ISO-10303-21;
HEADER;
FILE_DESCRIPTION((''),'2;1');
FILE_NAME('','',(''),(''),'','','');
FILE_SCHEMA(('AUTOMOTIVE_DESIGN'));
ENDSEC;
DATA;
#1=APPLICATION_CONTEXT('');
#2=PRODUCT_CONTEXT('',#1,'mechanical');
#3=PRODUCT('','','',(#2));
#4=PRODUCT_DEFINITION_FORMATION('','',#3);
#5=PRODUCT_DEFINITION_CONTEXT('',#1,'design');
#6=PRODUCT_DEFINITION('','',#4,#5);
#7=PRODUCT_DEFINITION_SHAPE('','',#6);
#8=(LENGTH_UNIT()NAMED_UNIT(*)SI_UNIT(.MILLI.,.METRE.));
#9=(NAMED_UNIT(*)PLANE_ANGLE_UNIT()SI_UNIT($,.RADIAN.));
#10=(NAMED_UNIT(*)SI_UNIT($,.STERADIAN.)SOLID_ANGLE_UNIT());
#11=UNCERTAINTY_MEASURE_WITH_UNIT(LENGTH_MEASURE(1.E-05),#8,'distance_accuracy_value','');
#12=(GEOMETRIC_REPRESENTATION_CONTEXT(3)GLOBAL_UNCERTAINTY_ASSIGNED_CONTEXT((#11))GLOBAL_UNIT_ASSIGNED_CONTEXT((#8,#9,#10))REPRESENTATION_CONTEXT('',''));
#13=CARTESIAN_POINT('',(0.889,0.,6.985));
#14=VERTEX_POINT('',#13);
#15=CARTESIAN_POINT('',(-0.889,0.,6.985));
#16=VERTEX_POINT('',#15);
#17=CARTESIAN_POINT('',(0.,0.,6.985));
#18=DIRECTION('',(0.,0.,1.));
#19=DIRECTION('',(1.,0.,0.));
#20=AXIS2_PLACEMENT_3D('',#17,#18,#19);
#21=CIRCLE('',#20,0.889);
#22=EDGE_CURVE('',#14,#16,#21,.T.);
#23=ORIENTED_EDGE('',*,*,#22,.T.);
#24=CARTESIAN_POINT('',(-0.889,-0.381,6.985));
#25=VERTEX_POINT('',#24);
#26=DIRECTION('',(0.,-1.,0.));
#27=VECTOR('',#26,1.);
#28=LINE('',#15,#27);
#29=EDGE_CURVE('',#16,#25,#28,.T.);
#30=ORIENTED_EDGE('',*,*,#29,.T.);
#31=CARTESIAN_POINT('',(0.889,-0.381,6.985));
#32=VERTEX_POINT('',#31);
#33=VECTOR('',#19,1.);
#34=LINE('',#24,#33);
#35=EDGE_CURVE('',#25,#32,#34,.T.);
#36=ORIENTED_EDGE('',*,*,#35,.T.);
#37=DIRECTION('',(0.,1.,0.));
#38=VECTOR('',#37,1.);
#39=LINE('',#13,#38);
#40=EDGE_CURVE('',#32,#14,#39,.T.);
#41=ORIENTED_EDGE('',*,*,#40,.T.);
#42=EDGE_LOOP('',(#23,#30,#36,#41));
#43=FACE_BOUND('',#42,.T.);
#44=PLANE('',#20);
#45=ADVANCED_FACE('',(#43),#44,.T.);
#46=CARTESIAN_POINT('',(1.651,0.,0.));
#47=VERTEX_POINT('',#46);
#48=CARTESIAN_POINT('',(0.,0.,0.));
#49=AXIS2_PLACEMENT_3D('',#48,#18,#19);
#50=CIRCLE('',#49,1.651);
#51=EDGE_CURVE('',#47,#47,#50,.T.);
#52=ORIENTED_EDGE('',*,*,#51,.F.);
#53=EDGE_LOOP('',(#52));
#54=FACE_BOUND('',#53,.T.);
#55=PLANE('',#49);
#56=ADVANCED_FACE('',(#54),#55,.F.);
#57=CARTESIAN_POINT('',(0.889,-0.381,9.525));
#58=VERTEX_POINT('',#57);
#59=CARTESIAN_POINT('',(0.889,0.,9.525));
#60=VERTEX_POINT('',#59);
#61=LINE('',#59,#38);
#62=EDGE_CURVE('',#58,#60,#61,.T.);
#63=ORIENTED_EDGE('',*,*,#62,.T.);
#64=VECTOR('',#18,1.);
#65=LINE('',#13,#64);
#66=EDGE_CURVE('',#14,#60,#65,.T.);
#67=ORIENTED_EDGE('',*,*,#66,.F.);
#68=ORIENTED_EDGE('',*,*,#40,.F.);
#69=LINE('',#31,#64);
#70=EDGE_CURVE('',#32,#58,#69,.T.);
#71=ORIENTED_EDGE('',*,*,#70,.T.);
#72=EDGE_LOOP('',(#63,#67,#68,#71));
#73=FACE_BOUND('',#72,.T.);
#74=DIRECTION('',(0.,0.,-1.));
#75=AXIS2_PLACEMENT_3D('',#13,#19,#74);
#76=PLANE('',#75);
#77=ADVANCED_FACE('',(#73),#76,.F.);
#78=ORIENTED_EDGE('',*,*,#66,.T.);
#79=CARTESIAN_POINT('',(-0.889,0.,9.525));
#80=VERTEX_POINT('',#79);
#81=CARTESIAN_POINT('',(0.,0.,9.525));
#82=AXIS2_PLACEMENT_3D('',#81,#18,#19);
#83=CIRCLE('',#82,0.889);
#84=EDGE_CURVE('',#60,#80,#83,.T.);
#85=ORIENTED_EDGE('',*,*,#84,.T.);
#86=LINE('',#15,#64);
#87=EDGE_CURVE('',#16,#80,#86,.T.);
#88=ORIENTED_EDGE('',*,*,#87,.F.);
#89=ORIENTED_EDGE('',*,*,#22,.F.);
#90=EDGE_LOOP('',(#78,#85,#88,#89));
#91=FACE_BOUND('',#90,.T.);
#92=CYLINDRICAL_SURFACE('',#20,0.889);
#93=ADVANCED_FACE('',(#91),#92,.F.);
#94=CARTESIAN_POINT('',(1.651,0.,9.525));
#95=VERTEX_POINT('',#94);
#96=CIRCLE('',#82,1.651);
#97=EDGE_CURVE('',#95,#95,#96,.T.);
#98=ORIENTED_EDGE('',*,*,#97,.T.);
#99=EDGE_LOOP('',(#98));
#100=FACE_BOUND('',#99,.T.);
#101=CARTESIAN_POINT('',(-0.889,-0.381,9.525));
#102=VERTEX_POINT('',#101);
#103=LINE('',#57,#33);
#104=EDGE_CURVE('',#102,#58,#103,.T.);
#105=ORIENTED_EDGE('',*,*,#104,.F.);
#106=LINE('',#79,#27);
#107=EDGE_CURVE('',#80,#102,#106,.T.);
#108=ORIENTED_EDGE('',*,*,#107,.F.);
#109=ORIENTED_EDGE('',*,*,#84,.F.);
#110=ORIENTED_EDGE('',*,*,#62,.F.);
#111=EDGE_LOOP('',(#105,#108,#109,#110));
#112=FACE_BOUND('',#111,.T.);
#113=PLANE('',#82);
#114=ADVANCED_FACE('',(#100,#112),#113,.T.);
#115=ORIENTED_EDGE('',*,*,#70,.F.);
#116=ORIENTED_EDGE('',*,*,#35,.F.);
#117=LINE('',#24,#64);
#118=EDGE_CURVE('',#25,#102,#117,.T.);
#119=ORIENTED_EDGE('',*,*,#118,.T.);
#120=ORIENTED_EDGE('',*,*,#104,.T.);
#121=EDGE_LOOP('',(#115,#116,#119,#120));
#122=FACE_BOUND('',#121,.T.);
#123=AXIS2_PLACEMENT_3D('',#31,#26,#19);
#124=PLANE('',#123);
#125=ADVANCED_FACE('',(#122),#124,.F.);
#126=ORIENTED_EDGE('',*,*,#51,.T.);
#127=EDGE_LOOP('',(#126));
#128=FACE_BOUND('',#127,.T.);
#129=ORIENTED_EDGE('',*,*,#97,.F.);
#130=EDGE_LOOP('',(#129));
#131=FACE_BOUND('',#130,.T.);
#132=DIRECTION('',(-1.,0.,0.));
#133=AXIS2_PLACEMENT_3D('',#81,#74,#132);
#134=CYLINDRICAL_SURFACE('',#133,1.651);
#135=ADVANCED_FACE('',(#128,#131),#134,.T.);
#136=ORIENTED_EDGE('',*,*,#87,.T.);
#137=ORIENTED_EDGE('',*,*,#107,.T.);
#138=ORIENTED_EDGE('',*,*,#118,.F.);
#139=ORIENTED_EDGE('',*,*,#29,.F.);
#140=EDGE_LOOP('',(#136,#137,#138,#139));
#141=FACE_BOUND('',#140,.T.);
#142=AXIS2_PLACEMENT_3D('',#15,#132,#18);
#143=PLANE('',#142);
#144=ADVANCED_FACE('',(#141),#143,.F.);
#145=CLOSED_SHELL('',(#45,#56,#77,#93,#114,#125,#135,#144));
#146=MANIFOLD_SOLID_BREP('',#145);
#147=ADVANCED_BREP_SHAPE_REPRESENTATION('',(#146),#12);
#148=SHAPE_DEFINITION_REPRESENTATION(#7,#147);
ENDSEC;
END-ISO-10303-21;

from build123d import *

# Parameters (mm, degrees)
SKETCH1_R           = 1.651
BOSS_EXTRUDE1_DEPTH = 9.525
CUT_EXTRUDE1_DEPTH  = 2.54


with BuildPart() as part:
    # Sketch1 → Boss-Extrude1 (new body)
    with BuildSketch(Plane.XY):
        Circle(SKETCH1_R)
    extrude(amount=BOSS_EXTRUDE1_DEPTH)

    # Sketch2 → Cut-Extrude1 (cut)
    with BuildSketch(Plane.XY.offset(9.525)):
        with BuildLine():
            Line((-0.889, 0), (-0.889, -0.381))
            Line((-0.889, -0.381), (0.7112, -0.381))
            Line((0.7112, -0.381), (0.889, -0.381))
            Line((0.889, -0.381), (0.889, 0))
            ThreePointArc((0.889, 0), (0, 0.889), (-0.889, 0))
        make_face()
    extrude(amount=-CUT_EXTRUDE1_DEPTH, mode=Mode.SUBTRACT)


solid = part.part
